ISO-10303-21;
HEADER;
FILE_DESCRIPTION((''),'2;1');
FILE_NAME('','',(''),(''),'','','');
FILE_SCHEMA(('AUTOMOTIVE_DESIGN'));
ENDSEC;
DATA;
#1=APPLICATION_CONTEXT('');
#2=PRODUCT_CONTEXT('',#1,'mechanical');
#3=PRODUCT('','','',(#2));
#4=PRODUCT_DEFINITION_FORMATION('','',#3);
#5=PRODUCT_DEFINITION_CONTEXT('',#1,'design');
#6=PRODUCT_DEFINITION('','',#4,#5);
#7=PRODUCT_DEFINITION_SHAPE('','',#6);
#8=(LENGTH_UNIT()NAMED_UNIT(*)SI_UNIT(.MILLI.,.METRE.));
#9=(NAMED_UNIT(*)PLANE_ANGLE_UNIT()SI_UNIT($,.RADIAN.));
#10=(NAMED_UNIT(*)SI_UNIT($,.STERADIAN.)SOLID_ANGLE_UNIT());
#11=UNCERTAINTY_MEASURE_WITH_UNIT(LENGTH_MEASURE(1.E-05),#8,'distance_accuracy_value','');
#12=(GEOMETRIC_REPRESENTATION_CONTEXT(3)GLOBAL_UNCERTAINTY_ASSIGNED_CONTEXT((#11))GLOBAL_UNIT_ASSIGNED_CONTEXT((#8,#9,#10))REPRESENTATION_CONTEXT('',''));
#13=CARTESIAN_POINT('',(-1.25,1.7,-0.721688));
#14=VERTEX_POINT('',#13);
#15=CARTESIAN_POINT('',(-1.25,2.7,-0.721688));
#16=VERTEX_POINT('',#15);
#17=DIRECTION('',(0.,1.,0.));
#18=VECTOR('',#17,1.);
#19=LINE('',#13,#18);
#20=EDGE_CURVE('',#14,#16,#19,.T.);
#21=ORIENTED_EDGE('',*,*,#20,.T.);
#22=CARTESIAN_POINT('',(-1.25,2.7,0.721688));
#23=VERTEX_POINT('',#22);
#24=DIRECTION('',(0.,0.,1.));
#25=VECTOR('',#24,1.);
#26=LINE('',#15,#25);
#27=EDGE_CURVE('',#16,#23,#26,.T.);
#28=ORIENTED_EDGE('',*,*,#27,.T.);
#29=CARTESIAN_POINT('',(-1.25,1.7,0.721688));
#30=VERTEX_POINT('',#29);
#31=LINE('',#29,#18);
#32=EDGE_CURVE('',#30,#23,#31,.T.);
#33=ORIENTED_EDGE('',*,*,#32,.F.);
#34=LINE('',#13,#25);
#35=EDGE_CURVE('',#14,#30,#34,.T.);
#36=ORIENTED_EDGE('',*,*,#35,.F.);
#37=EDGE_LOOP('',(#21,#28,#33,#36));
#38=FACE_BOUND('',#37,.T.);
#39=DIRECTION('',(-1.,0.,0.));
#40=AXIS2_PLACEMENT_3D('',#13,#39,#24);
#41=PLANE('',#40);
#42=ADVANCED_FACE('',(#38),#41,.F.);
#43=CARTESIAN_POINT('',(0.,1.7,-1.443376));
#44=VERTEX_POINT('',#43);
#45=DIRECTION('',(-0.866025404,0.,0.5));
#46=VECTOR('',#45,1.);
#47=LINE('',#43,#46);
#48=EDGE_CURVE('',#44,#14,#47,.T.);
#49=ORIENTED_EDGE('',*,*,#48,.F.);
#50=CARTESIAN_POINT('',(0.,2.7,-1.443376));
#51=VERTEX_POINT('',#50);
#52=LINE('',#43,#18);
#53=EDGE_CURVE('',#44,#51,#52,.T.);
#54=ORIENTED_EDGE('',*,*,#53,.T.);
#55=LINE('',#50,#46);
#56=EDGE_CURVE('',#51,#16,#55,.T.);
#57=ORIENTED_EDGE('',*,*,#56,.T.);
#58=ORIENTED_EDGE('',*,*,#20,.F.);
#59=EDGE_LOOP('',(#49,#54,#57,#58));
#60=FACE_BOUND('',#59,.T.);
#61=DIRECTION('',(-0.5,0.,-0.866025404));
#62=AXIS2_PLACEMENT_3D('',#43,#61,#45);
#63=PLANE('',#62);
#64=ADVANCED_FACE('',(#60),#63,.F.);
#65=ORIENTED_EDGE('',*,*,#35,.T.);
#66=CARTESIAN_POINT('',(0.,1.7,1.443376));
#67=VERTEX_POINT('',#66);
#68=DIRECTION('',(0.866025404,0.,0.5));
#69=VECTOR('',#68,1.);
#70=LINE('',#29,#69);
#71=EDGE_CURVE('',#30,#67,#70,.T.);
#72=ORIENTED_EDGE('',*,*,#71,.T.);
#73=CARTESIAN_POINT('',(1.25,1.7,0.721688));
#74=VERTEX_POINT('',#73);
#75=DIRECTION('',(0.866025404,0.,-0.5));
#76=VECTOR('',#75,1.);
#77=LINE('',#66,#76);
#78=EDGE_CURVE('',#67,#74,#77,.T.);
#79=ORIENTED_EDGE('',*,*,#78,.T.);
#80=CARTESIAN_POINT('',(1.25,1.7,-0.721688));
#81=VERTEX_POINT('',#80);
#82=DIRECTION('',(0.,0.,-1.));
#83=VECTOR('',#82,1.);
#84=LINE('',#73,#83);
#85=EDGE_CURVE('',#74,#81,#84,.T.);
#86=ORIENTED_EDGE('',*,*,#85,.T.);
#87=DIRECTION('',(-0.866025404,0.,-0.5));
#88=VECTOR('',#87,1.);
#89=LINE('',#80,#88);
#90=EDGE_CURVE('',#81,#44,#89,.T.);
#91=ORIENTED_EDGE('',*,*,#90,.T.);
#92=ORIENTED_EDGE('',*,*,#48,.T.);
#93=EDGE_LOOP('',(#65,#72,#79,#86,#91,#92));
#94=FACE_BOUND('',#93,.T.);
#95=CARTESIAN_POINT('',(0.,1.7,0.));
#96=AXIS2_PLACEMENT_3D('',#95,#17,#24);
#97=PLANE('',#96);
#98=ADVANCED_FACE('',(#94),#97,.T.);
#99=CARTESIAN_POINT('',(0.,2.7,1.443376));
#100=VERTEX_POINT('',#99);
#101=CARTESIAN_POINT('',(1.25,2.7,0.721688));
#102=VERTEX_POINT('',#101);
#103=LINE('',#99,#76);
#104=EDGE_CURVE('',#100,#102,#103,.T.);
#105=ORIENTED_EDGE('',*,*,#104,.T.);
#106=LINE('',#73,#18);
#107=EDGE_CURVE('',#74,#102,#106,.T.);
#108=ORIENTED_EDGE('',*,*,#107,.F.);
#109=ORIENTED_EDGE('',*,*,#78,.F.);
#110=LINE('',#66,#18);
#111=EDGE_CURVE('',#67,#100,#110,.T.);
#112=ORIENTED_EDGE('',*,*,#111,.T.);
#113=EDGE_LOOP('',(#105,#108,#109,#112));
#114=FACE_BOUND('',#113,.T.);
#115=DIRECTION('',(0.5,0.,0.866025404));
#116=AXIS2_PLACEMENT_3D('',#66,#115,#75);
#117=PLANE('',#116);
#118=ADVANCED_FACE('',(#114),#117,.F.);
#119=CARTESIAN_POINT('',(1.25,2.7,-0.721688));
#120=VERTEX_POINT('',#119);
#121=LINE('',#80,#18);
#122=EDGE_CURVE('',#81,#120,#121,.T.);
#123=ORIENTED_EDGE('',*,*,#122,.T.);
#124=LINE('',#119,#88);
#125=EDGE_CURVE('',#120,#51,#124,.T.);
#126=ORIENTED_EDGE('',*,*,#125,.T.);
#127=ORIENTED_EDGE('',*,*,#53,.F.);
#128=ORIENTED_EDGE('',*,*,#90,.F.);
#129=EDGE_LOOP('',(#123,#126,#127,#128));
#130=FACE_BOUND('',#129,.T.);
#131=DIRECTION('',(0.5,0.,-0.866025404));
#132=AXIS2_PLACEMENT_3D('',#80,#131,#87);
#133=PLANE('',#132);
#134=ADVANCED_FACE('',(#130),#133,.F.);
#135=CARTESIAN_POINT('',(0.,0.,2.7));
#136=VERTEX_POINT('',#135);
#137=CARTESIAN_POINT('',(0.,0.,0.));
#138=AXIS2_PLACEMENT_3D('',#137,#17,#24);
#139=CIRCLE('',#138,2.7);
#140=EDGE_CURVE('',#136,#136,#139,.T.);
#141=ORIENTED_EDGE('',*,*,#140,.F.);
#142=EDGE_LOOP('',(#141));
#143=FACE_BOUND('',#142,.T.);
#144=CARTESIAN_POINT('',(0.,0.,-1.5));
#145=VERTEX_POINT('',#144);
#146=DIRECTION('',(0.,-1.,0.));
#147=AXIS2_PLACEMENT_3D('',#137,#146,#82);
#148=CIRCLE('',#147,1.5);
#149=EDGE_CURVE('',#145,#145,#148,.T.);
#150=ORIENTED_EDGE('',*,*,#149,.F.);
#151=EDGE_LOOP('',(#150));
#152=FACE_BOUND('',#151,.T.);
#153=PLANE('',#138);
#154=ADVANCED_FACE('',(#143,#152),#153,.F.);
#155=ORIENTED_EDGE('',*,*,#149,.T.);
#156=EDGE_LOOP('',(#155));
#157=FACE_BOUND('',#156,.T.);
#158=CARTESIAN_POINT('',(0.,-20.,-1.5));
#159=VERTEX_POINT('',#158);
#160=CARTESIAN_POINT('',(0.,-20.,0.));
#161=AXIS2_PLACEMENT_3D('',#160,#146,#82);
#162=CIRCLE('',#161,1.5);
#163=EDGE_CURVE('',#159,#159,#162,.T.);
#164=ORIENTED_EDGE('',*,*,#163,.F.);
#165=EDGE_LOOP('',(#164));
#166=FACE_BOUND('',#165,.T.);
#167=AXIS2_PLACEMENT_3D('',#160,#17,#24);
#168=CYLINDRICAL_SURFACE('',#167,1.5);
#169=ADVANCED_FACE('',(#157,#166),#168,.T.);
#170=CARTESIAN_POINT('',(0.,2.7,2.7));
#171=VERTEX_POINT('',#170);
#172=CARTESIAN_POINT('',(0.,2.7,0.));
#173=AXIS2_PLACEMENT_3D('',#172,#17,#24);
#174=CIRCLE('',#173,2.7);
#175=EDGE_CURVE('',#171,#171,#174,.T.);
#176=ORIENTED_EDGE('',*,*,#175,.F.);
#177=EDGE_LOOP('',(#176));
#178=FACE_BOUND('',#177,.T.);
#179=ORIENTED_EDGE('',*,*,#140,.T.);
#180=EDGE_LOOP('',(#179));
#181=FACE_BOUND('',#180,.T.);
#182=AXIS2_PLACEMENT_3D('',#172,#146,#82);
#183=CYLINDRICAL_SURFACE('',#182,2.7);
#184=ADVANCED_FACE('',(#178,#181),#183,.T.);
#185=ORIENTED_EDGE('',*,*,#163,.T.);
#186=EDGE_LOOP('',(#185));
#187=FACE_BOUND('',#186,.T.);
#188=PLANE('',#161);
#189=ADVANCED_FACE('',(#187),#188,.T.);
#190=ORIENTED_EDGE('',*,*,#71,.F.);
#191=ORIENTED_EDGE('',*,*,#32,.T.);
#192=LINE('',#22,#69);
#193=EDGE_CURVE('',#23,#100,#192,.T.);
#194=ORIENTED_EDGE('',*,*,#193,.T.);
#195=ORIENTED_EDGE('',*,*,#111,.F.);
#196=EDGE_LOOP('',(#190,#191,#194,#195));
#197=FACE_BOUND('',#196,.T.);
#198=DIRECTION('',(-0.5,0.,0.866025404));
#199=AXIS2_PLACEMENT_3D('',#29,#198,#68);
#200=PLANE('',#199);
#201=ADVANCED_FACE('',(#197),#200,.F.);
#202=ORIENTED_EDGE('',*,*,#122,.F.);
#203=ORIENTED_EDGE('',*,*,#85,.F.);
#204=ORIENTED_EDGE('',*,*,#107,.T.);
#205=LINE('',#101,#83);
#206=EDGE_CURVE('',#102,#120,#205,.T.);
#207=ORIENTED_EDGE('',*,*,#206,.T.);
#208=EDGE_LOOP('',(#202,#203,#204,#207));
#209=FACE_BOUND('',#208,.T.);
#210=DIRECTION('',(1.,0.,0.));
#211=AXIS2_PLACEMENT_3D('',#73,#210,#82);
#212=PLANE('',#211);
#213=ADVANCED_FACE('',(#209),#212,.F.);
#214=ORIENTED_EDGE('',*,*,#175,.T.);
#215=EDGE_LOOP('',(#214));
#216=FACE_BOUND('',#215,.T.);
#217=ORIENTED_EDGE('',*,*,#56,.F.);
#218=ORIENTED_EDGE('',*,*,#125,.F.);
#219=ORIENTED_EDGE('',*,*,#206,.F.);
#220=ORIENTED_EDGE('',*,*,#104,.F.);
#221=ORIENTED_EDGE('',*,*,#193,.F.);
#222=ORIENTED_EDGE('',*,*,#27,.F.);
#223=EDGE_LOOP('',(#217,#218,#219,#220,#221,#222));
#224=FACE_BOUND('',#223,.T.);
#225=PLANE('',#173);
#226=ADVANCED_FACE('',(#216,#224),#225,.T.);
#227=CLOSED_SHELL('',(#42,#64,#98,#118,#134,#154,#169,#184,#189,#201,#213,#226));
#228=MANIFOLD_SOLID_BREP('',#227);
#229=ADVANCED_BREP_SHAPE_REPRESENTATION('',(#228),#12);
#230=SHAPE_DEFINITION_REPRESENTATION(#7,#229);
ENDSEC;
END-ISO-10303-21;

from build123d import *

# Parameters (mm, degrees)
SKETCH1_R           = 2.7
BOSS_EXTRUDE1_DEPTH = 2.7
CUT_EXTRUDE1_DEPTH  = 1
SKETCH3_R           = 1.5
BOSS_EXTRUDE2_DEPTH = 20


with BuildPart() as part:
    # Sketch1 → Boss-Extrude1 (new body)
    with BuildSketch(Plane(origin=(0, 0, 0), x_dir=(1, 0, 0), z_dir=(0, 1, 0))):
        Circle(SKETCH1_R)
    extrude(amount=BOSS_EXTRUDE1_DEPTH)

    # Sketch2 → Cut-Extrude1 (cut)
    with BuildSketch(Plane(origin=(0, 2.7, 0), x_dir=(1, 0, 0), z_dir=(0, 1, 0))):
        Polygon((0, 1.443375673), (-1.25, 0.721687836), (-1.25, -0.721687836), (0, -1.443375673), (1.25, -0.721687836), (1.25, 0.721687836), align=None)
    extrude(amount=-CUT_EXTRUDE1_DEPTH, mode=Mode.SUBTRACT)

    # Sketch3 → Boss-Extrude2 (add)
    with BuildSketch(Plane.XZ):
        Circle(SKETCH3_R)
    extrude(amount=BOSS_EXTRUDE2_DEPTH)


solid = part.part
